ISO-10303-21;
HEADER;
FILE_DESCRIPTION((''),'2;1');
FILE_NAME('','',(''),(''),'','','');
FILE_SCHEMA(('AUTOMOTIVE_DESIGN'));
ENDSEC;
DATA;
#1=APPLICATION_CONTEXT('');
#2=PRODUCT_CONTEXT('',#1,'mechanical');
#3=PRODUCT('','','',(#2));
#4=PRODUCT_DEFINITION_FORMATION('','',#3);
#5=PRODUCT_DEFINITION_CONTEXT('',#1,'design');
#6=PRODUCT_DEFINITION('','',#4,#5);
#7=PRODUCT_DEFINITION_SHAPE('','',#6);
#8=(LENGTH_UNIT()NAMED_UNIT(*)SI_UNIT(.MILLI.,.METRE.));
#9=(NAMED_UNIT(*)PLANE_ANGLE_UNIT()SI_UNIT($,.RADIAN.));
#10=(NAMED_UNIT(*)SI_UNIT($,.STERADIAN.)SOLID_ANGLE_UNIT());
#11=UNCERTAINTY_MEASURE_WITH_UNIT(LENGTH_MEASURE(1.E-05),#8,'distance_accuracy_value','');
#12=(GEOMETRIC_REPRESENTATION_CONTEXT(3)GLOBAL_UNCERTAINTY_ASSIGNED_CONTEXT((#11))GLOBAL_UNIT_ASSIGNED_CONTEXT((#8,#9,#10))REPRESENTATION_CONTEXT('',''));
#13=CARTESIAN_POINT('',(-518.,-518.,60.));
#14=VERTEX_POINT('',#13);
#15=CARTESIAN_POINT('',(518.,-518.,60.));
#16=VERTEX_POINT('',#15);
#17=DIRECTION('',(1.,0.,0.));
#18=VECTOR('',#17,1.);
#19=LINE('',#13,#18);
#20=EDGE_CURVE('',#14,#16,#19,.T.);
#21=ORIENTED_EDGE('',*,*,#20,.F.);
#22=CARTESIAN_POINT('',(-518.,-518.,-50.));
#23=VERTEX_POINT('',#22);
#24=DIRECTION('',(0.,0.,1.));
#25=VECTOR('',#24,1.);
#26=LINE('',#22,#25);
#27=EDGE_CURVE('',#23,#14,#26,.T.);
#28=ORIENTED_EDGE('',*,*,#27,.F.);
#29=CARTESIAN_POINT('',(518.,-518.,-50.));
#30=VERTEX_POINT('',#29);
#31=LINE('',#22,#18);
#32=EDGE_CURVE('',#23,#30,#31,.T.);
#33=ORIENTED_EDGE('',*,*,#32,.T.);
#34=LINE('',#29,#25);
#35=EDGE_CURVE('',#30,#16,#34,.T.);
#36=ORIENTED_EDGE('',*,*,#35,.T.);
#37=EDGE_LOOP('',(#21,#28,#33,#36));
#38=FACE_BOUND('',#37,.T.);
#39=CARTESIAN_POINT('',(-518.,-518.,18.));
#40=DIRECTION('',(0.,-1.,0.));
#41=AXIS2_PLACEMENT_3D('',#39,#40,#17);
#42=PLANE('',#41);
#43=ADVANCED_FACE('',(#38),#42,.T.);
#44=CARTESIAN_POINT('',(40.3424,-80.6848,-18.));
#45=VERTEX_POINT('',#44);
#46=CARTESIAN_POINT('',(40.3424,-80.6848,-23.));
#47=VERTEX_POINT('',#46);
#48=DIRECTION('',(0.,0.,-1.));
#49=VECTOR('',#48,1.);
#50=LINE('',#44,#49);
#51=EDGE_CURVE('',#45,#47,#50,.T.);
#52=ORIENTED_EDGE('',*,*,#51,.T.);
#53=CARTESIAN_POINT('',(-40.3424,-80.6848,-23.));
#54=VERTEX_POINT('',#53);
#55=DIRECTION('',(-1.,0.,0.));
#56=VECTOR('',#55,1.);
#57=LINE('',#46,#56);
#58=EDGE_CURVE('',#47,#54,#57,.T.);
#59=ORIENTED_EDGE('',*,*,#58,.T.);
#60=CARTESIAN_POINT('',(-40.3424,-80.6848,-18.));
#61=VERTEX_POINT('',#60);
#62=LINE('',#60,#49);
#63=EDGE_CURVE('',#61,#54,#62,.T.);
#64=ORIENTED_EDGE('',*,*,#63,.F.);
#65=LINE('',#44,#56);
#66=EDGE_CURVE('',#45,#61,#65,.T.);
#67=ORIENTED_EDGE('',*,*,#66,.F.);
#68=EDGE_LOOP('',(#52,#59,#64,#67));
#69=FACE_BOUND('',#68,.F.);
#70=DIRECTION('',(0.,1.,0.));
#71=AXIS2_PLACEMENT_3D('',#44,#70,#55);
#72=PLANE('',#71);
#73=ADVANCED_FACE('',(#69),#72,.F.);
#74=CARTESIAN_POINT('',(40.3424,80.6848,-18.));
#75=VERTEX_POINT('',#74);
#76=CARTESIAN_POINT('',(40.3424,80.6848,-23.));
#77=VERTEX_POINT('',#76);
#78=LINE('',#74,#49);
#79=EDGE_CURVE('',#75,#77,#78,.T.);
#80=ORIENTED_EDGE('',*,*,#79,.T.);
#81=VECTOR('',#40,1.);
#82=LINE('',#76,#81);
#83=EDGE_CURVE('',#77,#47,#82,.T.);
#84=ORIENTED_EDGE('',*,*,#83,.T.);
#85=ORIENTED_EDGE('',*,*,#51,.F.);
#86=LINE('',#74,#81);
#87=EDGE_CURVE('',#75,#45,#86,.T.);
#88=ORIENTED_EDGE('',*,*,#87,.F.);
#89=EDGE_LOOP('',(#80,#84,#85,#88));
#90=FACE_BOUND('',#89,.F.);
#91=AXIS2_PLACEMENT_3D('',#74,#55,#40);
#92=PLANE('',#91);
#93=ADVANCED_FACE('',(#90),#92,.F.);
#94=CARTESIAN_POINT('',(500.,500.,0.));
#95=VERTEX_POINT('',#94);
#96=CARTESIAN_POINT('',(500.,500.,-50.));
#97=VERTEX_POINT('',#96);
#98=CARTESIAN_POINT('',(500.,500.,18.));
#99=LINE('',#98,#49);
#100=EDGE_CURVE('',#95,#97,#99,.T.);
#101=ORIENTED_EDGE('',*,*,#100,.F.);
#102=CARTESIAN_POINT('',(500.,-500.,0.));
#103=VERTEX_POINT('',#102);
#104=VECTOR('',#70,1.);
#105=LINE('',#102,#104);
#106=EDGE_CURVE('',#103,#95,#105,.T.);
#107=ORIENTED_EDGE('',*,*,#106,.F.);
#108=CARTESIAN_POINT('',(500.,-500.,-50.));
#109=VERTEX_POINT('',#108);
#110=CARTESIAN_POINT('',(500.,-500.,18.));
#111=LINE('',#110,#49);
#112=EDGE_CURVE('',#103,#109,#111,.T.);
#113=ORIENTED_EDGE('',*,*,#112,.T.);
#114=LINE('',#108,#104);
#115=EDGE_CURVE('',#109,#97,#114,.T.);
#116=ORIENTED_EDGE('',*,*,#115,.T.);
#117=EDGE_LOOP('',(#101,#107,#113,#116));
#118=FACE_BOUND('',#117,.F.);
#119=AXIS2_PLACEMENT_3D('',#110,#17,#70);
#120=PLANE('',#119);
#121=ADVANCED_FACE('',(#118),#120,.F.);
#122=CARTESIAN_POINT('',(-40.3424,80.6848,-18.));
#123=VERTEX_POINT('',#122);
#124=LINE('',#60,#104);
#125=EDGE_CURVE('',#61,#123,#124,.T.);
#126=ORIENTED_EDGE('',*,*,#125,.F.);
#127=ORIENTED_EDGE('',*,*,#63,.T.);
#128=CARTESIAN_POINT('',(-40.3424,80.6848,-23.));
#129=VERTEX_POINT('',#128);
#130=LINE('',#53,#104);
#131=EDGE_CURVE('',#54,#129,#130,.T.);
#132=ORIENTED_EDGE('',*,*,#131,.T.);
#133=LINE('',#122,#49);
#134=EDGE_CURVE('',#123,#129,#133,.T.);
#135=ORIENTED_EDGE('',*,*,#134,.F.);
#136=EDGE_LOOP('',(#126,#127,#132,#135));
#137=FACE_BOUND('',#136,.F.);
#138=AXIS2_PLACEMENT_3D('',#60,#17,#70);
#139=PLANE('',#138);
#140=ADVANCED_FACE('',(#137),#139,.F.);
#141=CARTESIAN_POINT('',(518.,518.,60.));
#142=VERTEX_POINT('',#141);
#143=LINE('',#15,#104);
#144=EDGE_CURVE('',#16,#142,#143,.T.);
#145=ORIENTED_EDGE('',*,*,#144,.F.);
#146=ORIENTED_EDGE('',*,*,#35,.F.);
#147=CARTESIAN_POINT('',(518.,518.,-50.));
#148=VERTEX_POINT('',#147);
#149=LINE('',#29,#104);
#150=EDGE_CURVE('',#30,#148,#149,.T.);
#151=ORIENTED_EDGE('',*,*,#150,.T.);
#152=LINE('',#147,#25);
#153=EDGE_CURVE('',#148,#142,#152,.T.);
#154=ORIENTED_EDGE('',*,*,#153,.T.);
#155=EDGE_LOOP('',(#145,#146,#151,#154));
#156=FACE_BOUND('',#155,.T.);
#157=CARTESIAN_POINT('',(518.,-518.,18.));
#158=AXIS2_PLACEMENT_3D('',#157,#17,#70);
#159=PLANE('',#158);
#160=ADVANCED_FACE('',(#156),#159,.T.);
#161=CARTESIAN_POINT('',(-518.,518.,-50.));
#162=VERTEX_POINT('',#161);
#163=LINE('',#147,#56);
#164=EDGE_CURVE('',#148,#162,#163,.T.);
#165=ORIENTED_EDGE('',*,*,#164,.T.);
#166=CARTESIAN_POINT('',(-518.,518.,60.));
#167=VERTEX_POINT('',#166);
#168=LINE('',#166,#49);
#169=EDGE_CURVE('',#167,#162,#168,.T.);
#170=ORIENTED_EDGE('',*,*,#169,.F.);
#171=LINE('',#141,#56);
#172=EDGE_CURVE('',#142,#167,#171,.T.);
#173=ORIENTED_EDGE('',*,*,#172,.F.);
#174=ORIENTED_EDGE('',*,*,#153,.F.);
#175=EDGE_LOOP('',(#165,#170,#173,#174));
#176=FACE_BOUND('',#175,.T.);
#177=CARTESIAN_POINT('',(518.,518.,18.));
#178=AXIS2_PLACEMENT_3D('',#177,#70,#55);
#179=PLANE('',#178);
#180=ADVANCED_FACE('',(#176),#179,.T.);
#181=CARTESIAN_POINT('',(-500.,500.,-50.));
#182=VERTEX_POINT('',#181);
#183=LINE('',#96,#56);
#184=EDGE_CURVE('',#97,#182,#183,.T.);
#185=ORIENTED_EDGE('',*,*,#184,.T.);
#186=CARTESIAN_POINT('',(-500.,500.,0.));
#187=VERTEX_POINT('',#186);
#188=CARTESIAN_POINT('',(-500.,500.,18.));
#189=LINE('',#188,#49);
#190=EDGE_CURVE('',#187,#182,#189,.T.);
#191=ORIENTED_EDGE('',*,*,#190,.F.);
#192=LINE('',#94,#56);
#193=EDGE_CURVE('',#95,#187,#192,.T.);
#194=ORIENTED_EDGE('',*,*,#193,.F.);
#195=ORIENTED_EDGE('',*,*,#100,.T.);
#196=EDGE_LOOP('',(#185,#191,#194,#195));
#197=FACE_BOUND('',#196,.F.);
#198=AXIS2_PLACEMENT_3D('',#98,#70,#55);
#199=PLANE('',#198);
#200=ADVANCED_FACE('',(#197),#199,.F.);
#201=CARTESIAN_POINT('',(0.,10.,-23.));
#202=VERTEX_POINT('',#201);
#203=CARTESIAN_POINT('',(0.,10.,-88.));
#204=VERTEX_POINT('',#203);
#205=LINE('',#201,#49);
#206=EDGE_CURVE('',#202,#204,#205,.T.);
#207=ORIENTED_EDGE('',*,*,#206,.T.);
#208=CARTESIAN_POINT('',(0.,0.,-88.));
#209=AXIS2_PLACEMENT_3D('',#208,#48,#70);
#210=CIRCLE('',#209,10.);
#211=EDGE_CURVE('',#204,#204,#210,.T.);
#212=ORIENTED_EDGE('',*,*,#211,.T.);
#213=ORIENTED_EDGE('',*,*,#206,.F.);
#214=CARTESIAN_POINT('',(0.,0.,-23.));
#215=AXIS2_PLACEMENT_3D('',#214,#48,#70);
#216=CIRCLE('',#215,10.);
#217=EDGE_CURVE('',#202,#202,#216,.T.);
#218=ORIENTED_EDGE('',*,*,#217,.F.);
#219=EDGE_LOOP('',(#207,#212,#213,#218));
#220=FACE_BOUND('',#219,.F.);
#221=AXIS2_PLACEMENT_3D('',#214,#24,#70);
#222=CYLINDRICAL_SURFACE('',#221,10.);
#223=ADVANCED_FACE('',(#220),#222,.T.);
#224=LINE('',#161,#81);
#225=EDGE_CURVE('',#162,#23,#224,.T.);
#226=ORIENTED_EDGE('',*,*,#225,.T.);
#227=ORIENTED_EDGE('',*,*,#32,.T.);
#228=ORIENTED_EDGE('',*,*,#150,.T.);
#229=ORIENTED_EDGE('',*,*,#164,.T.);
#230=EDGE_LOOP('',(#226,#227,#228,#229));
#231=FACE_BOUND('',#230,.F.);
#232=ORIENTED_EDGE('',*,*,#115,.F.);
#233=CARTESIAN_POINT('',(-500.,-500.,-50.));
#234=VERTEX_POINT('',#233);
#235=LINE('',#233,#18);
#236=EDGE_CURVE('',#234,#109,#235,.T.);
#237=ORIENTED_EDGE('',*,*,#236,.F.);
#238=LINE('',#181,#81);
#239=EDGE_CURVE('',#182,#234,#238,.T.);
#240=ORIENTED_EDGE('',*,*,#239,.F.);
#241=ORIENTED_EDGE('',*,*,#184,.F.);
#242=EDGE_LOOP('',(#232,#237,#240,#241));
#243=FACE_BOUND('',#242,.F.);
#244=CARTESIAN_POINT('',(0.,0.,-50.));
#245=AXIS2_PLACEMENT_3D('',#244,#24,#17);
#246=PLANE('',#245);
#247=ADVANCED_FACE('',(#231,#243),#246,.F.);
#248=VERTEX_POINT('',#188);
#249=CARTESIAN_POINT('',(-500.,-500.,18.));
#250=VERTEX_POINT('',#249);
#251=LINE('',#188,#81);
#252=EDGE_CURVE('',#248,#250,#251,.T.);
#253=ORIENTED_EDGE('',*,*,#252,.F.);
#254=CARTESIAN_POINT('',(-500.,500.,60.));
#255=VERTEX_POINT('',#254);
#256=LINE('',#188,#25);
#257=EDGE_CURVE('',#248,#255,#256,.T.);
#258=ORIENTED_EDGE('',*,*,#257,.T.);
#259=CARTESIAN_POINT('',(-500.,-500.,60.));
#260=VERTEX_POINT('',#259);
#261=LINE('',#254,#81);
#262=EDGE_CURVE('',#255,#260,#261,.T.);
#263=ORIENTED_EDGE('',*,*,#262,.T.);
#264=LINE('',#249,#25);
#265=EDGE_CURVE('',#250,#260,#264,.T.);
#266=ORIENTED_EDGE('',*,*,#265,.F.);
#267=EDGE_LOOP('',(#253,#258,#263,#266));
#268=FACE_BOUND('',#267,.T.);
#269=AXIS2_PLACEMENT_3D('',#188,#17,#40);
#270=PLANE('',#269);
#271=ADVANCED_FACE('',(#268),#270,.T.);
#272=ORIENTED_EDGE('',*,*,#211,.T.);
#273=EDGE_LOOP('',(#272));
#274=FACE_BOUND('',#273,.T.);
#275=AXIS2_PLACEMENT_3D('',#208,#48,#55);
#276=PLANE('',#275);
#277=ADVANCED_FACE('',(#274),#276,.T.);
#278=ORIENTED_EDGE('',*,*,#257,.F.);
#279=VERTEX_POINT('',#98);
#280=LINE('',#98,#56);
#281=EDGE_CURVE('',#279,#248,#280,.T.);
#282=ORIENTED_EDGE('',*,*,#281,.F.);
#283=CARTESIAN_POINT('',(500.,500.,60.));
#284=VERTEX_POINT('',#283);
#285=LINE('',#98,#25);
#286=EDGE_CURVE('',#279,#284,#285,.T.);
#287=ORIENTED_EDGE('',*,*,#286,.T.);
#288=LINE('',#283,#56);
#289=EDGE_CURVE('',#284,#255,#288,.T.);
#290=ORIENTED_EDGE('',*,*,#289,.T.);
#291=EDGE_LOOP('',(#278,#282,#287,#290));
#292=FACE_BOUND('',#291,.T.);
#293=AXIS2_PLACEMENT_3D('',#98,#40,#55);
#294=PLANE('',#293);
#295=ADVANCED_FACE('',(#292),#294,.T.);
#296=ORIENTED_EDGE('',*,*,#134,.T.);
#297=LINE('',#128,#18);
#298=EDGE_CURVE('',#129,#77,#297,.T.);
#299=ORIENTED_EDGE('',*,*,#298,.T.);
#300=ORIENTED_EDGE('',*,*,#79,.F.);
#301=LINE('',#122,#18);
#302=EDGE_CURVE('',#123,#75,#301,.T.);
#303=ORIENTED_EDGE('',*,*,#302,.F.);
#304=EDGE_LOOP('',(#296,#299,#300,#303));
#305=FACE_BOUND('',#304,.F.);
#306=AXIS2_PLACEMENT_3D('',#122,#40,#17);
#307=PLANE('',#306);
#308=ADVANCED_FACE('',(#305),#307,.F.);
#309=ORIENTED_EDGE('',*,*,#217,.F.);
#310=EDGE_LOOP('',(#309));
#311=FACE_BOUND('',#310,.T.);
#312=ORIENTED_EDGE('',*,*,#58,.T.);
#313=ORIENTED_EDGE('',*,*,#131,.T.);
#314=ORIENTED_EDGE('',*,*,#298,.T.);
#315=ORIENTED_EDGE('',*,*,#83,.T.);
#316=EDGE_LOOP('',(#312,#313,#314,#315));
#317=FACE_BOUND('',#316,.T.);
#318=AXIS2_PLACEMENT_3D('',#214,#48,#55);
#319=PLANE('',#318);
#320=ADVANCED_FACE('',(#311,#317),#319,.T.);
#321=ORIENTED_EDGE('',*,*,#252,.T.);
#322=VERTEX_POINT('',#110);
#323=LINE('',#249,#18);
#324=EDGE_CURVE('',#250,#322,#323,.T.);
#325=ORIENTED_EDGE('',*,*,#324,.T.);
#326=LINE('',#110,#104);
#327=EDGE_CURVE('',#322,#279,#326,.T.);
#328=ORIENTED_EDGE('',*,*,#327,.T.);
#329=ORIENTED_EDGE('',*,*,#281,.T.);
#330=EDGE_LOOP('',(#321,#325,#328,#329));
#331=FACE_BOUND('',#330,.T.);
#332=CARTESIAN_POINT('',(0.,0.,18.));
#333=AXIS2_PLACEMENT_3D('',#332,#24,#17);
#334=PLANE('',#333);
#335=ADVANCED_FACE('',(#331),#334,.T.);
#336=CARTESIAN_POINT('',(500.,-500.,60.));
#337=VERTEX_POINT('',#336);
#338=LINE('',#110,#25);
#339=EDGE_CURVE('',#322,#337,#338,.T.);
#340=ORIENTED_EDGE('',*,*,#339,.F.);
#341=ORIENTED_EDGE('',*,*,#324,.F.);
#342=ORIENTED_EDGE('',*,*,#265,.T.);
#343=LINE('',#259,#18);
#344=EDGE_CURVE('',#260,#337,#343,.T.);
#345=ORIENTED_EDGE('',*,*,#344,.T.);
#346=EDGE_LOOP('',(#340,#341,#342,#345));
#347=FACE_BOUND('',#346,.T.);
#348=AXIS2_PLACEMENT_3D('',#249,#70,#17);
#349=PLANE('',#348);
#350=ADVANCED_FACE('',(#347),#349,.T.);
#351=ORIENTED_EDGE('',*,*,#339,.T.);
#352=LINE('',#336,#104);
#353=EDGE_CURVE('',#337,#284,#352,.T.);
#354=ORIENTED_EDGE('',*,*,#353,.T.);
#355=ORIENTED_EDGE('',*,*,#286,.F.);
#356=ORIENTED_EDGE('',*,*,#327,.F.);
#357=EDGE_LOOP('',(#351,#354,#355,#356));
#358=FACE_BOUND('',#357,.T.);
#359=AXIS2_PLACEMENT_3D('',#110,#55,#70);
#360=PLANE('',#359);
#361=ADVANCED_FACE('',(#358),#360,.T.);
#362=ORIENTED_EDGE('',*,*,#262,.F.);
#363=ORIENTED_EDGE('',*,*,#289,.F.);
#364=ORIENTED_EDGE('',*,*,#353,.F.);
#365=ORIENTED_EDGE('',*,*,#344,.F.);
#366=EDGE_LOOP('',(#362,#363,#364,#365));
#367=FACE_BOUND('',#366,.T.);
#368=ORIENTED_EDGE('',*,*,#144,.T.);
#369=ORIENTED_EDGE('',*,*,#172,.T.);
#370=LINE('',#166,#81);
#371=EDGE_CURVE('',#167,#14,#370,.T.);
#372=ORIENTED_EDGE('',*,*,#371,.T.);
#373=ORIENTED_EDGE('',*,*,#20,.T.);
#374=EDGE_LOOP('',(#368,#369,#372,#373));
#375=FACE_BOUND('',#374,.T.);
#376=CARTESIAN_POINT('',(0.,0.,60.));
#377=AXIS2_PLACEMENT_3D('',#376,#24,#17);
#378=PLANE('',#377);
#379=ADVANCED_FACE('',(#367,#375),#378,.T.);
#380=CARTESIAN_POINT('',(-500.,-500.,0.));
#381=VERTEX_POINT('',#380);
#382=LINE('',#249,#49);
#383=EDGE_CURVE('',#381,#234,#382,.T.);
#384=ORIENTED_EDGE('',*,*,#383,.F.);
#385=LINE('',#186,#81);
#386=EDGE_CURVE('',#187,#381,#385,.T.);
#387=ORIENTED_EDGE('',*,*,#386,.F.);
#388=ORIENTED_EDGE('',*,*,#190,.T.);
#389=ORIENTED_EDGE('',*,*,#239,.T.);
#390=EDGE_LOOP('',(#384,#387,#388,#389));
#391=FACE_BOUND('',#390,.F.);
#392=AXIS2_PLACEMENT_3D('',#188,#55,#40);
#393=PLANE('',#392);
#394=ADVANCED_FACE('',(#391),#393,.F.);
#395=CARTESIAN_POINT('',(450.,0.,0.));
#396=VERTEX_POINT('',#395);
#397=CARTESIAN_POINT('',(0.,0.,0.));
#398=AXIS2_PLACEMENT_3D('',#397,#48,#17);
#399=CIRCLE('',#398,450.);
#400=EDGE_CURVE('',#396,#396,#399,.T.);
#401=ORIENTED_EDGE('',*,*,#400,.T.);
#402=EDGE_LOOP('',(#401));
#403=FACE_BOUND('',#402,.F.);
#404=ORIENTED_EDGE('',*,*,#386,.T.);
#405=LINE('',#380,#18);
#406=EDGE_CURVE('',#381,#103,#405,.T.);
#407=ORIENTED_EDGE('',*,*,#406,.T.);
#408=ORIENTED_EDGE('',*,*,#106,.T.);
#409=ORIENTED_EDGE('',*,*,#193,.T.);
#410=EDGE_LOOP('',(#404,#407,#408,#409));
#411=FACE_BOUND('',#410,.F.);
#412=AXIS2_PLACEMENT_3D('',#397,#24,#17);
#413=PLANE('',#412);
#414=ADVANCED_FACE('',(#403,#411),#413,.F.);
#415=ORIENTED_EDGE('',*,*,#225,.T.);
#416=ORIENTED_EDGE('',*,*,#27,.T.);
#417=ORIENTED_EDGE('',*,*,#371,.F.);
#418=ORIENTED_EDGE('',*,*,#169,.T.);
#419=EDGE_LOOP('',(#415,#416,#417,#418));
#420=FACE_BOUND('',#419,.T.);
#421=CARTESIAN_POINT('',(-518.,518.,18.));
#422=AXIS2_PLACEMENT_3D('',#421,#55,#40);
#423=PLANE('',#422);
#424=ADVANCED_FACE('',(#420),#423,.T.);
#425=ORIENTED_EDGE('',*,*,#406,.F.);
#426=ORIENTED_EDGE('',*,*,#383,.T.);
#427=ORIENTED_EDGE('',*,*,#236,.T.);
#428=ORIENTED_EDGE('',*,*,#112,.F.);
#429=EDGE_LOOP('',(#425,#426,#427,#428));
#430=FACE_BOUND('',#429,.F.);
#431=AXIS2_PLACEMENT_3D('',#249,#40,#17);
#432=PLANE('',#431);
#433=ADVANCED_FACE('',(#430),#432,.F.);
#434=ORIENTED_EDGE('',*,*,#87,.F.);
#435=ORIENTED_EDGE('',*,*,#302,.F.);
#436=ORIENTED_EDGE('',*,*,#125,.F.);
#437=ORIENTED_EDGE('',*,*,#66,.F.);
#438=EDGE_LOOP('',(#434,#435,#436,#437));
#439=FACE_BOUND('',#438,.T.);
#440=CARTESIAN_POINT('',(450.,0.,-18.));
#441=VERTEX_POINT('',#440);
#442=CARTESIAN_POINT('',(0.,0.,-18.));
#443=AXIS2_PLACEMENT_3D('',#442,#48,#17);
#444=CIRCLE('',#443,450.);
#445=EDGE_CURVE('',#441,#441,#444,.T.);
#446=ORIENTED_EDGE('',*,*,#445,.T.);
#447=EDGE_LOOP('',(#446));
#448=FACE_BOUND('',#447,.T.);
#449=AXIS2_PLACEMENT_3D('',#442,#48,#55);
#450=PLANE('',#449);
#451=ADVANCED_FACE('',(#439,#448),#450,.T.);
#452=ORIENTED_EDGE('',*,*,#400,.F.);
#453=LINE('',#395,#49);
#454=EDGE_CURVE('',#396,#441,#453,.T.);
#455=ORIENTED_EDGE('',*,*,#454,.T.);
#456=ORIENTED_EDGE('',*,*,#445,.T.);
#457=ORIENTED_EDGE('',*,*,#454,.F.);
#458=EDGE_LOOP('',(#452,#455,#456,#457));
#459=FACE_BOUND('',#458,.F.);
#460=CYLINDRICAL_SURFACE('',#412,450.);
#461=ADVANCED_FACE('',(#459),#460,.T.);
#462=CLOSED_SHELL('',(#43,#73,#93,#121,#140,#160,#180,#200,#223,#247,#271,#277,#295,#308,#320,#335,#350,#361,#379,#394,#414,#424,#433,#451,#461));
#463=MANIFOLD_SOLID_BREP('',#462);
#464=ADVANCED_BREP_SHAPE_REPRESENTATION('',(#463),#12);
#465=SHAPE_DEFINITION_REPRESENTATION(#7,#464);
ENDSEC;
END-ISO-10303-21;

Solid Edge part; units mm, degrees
sketch "Sketch1" plane through (0, 0, 0) normal (0, 0, 1) x (1, 0, 0)
  line L0 (-500, -500) -> (500, -500)
  line L1 (500, -500) -> (500, 500)
  line L2 (500, 500) -> (-500, 500)
  line L3 (-500, 500) -> (-500, -500)
extrude "Protrusion1" add sketch "Sketch1" along normal blind 18
sketch "Sketch2" plane through (0, 0, 0) normal (0, 0, -1) x (1, 0, 0)
  circle A0 centre (0, 0) radius 450
extrude "Kihúzás_2" add sketch "Sketch2" along normal blind 18
sketch "Sketch3" plane through (0, 0, -18) normal (0, 0, -1) x (1, 0, 0)
  line L0 (-40.3424, -80.6848) -> (40.3424, -80.6848)
  line L1 (40.3424, -80.6848) -> (40.3424, 80.6848)
  line L2 (40.3424, 80.6848) -> (-40.3424, 80.6848)
  line L3 (-40.3424, 80.6848) -> (-40.3424, -80.6848)
extrude "Kihúzás_5" add sketch "Sketch3" along normal blind 5
sketch "Sketch4" plane through (0, 0, -23) normal (0, 0, -1) x (0, 1, 0)
  circle A0 centre (0, 0) radius 10
extrude "Kihúzás_6" add sketch "Sketch4" along normal blind 65
sketch "Sketch5" plane through (0, 0, 18) normal (0, 0, 1) x (0, -1, 0)
  line L0 (-500, -500) -> (500, -500)
  line L1 (500, -500) -> (500, 500)
  line L2 (500, 500) -> (-500, 500)
  line L3 (-500, 500) -> (-500, -500)
  line L4 (-518, -518) -> (518, -518)
  line L5 (518, -518) -> (518, 518)
  line L6 (518, 518) -> (-518, 518)
  line L7 (-518, 518) -> (-518, -518)
extrude "Kihúzás_9" add sketch "Sketch5" against normal blind 68
sketch "Sketch6" plane through (0, 0, 18) normal (0, 0, 1) x (0, -1, 0)
  line L0 (-500, -500) -> (500, -500)
  line L1 (500, -500) -> (500, 500)
  line L2 (500, 500) -> (-500, 500)
  line L3 (-500, 500) -> (-500, -500)
  line L4 (-518, -518) -> (518, -518)
  line L5 (518, -518) -> (518, 518)
  line L6 (518, 518) -> (-518, 518)
  line L7 (-518, 518) -> (-518, -518)
extrude "Kihúzás_10" add sketch "Sketch6" along normal blind 42
